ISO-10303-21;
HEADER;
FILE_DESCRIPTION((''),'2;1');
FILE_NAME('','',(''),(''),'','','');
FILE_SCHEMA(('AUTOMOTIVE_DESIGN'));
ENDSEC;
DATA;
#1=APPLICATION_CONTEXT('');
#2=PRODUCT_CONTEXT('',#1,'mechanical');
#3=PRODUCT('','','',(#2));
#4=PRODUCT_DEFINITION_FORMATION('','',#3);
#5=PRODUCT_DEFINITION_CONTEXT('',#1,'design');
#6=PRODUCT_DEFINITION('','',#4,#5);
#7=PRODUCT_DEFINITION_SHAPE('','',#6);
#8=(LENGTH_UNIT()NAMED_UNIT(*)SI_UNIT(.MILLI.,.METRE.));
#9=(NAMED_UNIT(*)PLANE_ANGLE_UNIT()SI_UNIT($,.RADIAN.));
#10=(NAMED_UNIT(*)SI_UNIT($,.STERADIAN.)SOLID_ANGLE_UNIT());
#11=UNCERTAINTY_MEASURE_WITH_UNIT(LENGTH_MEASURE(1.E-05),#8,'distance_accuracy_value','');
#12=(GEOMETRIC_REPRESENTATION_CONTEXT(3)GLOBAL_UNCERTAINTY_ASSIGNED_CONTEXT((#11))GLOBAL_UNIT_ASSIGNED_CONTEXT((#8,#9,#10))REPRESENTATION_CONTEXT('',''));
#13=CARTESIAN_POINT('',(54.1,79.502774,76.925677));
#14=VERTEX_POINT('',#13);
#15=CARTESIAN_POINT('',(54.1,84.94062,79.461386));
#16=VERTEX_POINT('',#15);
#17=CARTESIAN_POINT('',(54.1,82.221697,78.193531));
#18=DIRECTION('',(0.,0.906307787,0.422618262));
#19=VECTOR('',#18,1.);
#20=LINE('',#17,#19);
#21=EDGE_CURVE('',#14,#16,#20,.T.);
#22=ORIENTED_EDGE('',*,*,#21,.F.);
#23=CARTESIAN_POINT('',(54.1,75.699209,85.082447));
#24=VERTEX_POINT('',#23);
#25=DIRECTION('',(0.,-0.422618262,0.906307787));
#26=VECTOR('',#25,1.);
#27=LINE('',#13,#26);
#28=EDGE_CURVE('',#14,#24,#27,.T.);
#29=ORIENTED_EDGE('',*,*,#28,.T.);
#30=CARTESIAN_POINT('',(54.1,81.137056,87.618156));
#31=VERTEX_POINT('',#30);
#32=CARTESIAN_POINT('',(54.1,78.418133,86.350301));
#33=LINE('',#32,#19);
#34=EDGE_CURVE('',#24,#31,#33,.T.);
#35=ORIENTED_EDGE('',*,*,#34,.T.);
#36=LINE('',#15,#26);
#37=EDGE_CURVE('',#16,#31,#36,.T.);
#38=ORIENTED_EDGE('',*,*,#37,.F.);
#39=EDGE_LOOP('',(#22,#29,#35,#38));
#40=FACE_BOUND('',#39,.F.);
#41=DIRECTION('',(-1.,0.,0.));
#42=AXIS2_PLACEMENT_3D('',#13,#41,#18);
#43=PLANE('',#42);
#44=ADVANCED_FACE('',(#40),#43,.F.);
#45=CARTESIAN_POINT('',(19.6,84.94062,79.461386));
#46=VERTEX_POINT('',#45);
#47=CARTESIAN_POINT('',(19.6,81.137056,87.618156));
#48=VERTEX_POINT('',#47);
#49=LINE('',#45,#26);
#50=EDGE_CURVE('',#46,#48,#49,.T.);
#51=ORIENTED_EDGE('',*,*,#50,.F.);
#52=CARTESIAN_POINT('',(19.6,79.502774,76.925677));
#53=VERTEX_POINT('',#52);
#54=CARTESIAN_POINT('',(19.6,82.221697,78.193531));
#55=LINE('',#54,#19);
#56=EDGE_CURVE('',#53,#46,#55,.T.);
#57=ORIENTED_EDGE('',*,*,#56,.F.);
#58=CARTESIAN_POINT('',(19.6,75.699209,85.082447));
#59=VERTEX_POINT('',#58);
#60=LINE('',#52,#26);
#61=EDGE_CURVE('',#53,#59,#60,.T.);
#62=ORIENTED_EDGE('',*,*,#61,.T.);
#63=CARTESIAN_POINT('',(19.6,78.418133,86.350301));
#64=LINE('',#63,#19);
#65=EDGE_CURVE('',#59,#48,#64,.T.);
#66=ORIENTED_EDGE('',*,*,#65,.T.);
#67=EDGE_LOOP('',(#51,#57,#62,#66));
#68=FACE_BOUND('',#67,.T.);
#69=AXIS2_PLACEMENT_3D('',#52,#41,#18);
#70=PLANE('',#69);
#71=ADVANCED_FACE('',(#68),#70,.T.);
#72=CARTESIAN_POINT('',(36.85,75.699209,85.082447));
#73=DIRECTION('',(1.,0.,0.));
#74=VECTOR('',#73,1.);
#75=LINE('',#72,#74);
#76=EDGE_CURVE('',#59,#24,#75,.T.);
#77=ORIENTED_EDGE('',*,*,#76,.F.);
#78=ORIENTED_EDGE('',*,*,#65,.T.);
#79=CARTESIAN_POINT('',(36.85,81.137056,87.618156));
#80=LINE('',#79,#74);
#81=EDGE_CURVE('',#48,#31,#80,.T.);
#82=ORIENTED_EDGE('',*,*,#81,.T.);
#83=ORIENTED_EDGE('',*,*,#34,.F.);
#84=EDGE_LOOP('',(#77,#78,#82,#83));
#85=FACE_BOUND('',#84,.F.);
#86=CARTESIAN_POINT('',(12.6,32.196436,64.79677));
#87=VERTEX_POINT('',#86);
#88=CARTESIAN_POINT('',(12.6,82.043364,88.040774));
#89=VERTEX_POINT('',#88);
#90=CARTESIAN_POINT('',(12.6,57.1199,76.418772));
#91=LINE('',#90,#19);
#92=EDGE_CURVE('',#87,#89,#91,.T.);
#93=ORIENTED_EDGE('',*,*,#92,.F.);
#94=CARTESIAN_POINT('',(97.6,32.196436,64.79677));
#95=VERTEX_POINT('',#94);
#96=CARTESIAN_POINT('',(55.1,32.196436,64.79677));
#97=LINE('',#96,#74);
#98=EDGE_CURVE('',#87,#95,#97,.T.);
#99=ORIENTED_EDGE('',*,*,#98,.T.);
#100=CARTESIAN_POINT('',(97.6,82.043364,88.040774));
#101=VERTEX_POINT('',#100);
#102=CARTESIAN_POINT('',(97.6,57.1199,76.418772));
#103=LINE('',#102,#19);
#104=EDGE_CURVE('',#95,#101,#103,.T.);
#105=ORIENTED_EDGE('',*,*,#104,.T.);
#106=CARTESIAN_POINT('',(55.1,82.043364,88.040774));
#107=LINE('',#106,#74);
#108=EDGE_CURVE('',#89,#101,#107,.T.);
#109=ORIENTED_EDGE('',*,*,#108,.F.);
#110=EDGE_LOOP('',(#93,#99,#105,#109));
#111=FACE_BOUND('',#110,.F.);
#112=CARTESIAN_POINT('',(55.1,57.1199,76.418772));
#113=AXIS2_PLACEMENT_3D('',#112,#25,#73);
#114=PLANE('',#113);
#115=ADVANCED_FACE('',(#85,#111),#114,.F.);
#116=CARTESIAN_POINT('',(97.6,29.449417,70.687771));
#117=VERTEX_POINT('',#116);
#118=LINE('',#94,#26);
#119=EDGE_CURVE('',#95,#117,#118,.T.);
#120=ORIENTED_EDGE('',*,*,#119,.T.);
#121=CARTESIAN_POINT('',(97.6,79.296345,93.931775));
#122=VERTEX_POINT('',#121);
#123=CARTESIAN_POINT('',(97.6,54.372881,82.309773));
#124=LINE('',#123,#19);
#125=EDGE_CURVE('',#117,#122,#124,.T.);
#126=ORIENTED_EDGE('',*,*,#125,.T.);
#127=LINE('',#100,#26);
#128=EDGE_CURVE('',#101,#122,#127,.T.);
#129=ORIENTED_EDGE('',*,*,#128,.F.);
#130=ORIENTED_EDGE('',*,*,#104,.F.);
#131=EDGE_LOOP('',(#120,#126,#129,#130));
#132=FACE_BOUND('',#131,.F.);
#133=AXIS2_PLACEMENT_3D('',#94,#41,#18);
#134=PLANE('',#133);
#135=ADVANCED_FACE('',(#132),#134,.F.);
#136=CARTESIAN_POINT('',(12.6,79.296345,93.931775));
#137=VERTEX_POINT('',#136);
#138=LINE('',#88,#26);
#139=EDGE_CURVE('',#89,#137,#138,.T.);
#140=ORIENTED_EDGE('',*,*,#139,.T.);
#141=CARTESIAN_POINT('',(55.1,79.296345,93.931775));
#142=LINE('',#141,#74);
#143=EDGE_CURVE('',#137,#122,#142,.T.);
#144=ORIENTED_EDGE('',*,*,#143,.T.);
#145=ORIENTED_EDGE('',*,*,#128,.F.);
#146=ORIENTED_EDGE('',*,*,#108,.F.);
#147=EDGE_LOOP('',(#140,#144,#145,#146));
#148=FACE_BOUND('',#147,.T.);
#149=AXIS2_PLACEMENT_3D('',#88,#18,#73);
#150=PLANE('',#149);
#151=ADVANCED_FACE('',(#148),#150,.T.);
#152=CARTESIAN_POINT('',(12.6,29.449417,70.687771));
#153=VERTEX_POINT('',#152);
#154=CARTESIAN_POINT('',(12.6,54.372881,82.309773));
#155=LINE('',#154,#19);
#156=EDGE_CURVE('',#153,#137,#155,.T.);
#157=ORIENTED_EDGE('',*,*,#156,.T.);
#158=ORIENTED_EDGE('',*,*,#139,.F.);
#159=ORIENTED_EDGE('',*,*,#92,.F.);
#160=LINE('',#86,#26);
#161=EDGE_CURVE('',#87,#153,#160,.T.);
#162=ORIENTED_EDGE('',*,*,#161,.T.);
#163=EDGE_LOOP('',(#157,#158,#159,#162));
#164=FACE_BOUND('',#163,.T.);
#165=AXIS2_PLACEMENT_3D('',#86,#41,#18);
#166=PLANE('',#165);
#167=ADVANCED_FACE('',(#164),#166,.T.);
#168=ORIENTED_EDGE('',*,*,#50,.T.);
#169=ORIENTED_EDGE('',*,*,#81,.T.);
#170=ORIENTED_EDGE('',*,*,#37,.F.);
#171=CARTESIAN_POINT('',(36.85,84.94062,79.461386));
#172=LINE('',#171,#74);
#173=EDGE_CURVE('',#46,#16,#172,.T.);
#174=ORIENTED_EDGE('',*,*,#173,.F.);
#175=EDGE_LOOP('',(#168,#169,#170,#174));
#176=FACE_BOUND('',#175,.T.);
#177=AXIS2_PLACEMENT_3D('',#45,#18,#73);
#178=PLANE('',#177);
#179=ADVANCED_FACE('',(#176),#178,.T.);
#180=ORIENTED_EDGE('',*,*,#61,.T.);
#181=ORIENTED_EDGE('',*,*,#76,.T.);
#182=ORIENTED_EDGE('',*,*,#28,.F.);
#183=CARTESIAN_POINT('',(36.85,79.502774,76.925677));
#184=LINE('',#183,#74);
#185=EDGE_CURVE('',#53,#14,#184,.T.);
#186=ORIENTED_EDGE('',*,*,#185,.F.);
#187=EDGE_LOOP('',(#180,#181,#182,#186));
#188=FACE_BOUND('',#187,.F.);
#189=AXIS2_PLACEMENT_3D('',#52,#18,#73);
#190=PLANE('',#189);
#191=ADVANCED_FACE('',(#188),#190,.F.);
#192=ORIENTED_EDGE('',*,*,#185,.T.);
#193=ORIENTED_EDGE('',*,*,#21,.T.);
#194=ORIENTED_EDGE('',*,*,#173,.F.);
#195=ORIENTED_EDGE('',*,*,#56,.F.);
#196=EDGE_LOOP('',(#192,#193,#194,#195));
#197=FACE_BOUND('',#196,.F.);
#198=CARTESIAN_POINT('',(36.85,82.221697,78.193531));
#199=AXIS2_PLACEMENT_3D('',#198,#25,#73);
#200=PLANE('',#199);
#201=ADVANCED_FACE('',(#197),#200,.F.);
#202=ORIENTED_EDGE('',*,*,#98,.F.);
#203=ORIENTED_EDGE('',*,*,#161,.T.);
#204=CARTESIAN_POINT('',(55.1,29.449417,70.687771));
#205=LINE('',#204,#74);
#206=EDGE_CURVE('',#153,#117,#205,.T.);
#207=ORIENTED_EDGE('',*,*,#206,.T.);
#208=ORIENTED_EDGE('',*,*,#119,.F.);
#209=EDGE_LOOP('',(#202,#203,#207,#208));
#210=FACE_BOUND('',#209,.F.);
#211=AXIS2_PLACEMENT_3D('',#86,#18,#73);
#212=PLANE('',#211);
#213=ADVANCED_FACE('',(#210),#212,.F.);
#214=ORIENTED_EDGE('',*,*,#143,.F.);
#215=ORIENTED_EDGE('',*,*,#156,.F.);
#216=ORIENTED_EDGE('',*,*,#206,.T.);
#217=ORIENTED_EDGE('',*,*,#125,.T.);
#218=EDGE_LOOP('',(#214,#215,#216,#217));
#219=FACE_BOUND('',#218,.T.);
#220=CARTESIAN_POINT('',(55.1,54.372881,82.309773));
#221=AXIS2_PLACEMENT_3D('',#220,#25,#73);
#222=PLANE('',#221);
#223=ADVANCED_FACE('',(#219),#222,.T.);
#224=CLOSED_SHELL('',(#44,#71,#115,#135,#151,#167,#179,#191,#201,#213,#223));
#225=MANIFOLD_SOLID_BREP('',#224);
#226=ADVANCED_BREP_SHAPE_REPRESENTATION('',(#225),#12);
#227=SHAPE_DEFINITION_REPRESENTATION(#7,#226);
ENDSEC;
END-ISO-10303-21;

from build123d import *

# Parameters (mm, degrees)
BOX005_W                  = 34.5
BOX005_H                  = 6
BOX005_DEPTH              = 9
BOX004_W                  = 85
BOX004_H                  = 55
BOX004_DEPTH              = 6.5
FUSION001_PLACEMENT_ANGLE = 25


with BuildPart() as cube010:
    # Box005 → Box005 (new body)
    with BuildSketch(Plane(origin=(7, 48, 0), x_dir=(1, 0, 0), z_dir=(0, 0, 1))):
        with Locations((17.25, 3)):
            Rectangle(BOX005_W, BOX005_H)
    extrude(amount=BOX005_DEPTH)


with BuildPart() as touchscreen:
    # Box004 → Box004 (new body)
    with BuildSketch(Plane.XY.offset(9)):
        with Locations((42.5, 27.5)):
            Rectangle(BOX004_W, BOX004_H)
    extrude(amount=BOX004_DEPTH)

    # Fusion001: union Cube010
    add(cube010.part)


with BuildPart() as touchscreen_1:
    # Fusion001 placement: moved
    add(touchscreen.part.moved(Location((12.6, 36, 56.64))).rotate(Axis((12.6, 36, 56.64), (1, 0, 0)), FUSION001_PLACEMENT_ANGLE))


solid = touchscreen_1.part
